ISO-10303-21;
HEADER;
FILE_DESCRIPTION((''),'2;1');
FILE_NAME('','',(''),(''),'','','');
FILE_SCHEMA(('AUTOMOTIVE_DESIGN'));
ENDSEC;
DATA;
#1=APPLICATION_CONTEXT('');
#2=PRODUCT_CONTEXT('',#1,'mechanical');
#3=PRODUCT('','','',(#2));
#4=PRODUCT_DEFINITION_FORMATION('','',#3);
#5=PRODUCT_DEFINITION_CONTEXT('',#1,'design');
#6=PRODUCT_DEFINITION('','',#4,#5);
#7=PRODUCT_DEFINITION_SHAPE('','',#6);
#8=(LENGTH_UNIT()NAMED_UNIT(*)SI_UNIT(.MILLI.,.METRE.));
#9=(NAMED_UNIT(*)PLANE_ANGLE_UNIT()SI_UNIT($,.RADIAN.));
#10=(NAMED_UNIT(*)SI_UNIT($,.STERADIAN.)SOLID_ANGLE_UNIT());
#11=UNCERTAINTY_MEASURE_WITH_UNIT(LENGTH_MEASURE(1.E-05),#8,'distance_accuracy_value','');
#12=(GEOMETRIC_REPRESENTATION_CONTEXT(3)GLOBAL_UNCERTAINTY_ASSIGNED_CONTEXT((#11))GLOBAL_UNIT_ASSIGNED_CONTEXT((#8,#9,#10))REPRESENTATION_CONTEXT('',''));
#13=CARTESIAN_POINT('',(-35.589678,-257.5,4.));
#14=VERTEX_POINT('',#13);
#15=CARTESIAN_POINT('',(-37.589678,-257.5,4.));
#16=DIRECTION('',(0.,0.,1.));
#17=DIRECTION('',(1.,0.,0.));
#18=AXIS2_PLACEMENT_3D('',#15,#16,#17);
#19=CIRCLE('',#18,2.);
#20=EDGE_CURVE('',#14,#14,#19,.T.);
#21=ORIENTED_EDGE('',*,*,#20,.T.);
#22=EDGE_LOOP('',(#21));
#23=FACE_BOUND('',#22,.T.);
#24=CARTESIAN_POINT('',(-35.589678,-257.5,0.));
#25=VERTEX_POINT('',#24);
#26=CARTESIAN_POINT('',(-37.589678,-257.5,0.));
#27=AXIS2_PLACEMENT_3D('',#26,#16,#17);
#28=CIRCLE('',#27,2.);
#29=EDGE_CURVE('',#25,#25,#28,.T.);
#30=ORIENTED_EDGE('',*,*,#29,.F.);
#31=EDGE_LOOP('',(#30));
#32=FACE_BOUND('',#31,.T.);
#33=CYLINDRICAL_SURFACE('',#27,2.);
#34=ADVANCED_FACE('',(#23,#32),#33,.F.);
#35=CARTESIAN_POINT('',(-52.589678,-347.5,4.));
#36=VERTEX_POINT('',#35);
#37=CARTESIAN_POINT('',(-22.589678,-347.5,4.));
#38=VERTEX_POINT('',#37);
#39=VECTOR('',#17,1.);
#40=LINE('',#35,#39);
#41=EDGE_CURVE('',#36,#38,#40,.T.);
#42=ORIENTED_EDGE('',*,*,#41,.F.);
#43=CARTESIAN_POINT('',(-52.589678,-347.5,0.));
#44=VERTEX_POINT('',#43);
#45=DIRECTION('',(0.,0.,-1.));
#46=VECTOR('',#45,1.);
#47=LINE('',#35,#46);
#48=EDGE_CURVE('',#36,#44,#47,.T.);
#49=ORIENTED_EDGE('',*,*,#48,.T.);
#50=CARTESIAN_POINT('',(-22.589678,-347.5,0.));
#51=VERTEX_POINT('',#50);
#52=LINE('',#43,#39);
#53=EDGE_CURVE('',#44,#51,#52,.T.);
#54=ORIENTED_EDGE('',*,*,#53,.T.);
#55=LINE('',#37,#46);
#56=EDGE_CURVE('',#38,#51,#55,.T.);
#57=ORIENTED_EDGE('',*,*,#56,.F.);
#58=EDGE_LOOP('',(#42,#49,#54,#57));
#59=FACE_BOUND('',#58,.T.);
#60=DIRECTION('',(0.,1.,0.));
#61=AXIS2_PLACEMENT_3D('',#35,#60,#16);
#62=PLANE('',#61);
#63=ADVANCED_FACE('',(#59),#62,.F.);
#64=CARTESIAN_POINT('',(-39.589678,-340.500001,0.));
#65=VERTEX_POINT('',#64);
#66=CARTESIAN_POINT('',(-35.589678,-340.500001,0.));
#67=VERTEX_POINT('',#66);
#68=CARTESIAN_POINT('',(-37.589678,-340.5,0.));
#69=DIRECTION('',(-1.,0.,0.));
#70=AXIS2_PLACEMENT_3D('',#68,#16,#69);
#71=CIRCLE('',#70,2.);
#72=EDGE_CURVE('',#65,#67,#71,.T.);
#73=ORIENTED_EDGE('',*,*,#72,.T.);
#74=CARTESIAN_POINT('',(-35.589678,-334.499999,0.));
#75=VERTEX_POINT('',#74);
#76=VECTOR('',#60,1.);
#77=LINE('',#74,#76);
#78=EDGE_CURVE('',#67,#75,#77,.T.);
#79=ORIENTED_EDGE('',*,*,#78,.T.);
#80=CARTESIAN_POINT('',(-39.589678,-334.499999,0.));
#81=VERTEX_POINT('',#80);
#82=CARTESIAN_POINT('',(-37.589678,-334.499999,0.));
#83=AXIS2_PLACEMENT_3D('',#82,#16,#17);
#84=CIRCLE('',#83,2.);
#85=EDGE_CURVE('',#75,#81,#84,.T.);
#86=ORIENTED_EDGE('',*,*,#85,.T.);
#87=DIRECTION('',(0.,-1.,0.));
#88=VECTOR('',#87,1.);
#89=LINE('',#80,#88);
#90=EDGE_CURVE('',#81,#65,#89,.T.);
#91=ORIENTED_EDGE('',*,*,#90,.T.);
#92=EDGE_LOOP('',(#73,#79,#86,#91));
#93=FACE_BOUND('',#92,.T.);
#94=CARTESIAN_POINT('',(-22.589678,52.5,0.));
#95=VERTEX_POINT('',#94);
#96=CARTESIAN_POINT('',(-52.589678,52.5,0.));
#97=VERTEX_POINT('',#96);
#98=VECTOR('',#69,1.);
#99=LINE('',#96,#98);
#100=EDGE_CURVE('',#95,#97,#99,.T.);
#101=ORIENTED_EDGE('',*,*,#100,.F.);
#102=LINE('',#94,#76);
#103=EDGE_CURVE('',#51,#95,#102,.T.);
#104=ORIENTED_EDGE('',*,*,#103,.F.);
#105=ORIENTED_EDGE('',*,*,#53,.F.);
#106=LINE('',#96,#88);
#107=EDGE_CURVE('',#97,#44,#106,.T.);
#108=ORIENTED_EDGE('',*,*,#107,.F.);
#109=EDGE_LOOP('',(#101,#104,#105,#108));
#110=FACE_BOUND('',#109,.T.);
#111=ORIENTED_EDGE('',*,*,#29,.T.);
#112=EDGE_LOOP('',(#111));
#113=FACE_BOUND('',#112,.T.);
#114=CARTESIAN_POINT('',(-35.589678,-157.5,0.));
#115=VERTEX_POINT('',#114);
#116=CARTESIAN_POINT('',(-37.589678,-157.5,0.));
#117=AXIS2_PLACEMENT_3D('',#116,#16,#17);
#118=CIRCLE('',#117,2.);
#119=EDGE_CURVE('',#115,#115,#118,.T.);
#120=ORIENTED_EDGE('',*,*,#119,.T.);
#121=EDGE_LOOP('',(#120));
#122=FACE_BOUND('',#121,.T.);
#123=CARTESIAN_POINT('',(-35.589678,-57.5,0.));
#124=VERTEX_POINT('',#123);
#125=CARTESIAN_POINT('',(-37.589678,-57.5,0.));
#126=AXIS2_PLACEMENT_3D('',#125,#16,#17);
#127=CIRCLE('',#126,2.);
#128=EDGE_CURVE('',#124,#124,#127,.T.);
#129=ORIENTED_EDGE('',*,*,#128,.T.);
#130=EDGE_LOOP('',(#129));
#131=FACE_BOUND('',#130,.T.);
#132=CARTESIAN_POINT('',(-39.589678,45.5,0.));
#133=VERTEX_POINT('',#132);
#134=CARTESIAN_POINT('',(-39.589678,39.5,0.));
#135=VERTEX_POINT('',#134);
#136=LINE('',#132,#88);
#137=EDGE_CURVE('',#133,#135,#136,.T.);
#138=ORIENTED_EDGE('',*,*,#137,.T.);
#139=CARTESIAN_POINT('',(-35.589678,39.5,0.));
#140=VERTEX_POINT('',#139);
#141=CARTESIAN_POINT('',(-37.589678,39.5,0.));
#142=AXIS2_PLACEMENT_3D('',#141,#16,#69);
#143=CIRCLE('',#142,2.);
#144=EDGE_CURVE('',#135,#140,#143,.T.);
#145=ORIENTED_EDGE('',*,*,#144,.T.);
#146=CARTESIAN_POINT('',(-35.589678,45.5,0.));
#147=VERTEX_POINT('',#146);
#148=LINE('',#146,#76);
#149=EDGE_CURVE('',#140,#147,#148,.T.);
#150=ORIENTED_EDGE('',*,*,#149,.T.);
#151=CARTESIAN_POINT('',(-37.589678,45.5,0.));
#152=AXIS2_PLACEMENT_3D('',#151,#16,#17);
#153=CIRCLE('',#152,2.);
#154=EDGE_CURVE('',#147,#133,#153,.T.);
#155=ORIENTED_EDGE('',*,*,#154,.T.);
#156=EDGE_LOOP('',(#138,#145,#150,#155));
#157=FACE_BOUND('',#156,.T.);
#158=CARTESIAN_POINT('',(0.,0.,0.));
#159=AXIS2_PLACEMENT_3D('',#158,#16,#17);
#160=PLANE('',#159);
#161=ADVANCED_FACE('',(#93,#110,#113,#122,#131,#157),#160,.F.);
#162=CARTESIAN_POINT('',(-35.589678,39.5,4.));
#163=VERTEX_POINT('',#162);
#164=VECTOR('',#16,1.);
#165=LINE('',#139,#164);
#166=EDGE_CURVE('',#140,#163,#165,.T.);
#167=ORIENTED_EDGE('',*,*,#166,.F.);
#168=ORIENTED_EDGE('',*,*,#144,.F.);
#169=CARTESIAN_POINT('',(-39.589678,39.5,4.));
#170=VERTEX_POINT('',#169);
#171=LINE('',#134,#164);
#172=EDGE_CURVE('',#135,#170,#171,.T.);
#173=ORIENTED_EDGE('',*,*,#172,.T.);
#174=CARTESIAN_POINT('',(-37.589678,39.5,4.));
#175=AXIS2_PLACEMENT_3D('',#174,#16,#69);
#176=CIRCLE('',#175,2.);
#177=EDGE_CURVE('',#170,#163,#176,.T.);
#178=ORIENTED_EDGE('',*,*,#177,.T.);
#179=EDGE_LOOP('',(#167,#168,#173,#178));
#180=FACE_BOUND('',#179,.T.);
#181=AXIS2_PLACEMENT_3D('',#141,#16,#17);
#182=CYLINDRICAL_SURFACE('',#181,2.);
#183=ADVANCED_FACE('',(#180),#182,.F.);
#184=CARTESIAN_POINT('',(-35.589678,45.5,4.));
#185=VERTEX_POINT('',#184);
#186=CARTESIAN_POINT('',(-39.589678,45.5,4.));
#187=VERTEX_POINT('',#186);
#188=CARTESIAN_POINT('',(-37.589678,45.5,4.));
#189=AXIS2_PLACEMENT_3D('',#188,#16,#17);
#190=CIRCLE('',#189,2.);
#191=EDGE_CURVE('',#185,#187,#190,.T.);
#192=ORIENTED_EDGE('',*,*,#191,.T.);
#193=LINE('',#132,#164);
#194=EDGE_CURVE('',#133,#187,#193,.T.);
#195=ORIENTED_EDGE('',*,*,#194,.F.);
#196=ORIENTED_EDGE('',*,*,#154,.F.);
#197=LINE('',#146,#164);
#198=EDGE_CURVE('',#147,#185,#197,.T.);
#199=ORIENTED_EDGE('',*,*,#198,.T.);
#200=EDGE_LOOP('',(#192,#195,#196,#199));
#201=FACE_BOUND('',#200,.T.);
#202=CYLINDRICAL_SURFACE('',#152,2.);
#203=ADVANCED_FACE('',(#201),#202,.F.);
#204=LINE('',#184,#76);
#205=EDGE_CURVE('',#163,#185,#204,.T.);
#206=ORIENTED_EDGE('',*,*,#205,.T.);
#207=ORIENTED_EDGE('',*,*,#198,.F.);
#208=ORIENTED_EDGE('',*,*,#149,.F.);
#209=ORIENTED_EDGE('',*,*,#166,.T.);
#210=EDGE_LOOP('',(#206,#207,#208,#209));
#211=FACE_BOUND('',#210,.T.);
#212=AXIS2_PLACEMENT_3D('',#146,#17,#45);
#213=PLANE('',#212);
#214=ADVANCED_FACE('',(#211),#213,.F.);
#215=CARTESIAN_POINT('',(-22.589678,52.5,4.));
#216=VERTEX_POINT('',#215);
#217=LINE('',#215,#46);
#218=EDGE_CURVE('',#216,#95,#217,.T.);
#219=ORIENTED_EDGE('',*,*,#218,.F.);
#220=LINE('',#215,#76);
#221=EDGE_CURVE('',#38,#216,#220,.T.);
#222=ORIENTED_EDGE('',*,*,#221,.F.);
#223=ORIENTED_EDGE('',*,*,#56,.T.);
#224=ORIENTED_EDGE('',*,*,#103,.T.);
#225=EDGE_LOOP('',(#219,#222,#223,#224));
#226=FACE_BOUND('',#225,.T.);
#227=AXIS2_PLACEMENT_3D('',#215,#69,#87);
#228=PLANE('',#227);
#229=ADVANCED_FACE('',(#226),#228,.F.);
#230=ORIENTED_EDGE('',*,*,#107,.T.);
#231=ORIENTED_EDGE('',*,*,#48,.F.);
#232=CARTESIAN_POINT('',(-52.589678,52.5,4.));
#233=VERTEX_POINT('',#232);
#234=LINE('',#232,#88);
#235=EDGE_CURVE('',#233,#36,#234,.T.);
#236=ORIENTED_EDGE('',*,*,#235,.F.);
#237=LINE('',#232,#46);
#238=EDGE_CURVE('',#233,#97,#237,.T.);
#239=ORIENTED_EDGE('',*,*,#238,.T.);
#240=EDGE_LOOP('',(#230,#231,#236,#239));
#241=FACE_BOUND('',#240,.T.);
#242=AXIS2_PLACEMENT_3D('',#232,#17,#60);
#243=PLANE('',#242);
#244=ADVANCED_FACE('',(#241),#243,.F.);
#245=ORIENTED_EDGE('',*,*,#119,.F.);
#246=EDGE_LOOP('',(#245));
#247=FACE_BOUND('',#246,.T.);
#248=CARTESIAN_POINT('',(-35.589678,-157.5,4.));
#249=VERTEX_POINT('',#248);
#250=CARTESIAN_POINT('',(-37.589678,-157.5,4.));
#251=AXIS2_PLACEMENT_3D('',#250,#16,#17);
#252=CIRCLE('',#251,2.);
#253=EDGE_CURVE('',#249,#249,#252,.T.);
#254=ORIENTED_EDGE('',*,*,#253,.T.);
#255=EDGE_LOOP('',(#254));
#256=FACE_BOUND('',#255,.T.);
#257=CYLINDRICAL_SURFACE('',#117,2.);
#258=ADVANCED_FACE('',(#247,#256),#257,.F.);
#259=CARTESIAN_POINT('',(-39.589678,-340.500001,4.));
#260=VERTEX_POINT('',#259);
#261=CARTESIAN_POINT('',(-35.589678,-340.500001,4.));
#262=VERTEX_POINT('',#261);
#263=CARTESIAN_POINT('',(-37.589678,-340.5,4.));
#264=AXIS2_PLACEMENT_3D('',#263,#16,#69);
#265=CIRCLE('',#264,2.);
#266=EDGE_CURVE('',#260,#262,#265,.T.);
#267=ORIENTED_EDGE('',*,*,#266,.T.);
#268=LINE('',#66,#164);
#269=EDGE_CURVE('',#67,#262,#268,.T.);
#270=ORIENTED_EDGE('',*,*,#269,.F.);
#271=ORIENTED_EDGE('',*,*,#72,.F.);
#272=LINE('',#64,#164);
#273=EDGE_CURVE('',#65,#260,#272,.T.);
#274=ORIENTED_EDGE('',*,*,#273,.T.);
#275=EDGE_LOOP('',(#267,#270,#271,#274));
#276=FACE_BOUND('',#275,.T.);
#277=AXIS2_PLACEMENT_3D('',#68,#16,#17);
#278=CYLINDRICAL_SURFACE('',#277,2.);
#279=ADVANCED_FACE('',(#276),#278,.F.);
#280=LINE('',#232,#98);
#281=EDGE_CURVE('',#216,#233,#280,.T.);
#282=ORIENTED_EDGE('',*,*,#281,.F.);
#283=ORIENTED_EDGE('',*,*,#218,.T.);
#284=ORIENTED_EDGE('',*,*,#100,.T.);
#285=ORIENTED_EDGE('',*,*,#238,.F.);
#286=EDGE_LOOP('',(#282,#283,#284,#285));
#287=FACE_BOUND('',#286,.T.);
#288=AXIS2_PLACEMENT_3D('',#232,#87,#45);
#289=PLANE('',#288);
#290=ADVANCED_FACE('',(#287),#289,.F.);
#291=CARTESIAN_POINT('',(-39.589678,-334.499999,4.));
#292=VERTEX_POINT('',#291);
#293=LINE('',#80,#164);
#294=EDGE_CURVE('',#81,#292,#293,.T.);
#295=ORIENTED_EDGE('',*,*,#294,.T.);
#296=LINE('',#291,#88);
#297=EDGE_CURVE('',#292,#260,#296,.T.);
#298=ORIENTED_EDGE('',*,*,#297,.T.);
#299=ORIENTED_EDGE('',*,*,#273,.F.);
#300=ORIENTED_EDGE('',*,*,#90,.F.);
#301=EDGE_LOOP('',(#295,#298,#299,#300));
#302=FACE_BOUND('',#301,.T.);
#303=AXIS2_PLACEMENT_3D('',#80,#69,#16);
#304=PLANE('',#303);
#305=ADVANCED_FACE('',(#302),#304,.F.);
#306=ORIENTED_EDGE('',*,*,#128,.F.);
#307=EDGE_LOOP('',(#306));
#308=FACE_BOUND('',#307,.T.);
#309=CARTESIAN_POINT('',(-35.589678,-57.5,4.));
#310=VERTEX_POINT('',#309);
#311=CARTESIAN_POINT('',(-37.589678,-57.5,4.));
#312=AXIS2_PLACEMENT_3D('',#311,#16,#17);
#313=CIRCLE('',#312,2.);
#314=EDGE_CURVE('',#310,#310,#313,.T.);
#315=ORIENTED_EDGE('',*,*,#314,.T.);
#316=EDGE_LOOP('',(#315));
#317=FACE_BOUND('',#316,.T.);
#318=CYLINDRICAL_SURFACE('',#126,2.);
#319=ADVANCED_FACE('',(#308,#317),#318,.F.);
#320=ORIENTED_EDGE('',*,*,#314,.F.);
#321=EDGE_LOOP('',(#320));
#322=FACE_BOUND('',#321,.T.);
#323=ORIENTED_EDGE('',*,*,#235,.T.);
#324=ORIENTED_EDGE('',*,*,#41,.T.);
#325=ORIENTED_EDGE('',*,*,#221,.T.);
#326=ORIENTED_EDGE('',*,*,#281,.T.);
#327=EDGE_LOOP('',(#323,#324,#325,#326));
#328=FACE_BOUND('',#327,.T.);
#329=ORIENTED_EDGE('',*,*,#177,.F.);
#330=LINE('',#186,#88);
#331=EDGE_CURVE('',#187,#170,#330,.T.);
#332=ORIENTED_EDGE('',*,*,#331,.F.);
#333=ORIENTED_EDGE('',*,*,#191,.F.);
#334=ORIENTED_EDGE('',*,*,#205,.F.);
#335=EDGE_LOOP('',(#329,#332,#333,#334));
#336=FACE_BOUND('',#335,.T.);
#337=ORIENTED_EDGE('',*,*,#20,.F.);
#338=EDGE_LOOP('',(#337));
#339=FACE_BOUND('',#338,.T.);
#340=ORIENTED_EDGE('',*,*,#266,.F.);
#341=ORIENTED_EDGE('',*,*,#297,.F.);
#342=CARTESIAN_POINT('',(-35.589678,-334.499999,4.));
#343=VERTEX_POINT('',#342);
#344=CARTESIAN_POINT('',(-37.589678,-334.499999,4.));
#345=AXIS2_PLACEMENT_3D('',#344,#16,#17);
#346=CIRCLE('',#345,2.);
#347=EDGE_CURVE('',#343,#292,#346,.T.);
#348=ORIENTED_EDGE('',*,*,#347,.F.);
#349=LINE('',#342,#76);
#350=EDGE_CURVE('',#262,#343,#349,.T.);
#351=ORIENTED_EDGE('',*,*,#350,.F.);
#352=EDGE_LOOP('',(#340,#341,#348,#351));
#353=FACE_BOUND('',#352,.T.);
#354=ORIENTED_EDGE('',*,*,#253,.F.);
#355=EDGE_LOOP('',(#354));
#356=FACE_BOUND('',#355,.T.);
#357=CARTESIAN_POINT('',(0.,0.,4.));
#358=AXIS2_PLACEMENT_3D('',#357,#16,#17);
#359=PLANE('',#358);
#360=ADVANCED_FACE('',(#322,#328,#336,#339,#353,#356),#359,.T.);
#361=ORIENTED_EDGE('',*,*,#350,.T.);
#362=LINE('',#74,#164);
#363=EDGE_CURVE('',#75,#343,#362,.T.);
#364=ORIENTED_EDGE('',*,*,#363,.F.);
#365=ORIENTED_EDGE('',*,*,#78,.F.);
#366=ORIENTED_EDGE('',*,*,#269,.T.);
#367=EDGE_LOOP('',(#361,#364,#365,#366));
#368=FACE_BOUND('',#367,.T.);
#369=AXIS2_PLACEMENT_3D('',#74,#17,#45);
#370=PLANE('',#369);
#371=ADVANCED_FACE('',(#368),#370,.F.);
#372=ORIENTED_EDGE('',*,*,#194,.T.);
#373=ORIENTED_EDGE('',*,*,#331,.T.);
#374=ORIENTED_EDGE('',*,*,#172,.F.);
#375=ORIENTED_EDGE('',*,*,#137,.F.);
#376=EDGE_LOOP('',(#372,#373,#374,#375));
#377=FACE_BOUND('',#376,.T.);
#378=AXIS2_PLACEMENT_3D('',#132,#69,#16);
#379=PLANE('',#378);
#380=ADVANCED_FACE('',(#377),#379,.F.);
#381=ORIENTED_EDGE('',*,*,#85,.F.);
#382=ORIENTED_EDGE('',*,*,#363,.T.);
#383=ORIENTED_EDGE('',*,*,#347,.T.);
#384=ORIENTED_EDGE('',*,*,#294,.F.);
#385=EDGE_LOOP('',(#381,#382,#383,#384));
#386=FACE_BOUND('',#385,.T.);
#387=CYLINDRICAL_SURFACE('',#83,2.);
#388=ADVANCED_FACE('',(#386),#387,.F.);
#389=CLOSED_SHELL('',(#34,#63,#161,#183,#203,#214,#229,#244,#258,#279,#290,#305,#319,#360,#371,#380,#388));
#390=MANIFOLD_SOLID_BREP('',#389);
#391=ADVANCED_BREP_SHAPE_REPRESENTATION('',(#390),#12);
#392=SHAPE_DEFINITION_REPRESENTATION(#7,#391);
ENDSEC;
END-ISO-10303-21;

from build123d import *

# Parameters (mm, degrees)
ESQUISSE1_W             = 30
ESQUISSE1_H             = 400
BOSS_EXTRU_1_DEPTH      = 4
ESQUISSE2_R             = 2
ENL_V_MAT_EXTRU_1_DEPTH = 5


with BuildPart() as part:
    # Esquisse1 → Boss.-Extru.1 (new body)
    with BuildSketch(Plane.XY):
        with Locations((-37.589678395, -147.5)):
            Rectangle(ESQUISSE1_W, ESQUISSE1_H)
    extrude(amount=BOSS_EXTRU_1_DEPTH)

    # Esquisse2 → Enlèv. mat.-Extru.1 (cut, through all)
    with BuildSketch(Plane.XY.offset(4)):
        with Locations((-37.589678395, -57.5)):
            Circle(ESQUISSE2_R)
        with Locations((-37.589678395, -257.5)):
            Circle(ESQUISSE2_R)
        with Locations((-37.589678395, -157.5)):
            Circle(ESQUISSE2_R)
        with BuildLine():
            Line((-35.589678395, 45.5), (-35.589678395, 39.5))
            ThreePointArc((-35.589678395, 39.5), (-37.589678395, 37.5), (-39.589678395, 39.5))
            Line((-39.589678395, 39.5), (-39.589678395, 45.5))
            ThreePointArc((-39.589678395, 45.5), (-37.589678395, 47.5), (-35.589678395, 45.5))
        make_face()
        with BuildLine():
            Line((-35.589678395, -334.499998934), (-35.589678395, -340.500001066))
            ThreePointArc((-35.589678395, -340.500001066), (-37.589678395, -342.5), (-39.589678395, -340.500001066))
            Line((-39.589678395, -340.500001066), (-39.589678395, -334.499998934))
            ThreePointArc((-39.589678395, -334.499998934), (-37.589678395, -332.499998934), (-35.589678395, -334.499998934))
        make_face()
    extrude(amount=-ENL_V_MAT_EXTRU_1_DEPTH, mode=Mode.SUBTRACT)


solid = part.part
